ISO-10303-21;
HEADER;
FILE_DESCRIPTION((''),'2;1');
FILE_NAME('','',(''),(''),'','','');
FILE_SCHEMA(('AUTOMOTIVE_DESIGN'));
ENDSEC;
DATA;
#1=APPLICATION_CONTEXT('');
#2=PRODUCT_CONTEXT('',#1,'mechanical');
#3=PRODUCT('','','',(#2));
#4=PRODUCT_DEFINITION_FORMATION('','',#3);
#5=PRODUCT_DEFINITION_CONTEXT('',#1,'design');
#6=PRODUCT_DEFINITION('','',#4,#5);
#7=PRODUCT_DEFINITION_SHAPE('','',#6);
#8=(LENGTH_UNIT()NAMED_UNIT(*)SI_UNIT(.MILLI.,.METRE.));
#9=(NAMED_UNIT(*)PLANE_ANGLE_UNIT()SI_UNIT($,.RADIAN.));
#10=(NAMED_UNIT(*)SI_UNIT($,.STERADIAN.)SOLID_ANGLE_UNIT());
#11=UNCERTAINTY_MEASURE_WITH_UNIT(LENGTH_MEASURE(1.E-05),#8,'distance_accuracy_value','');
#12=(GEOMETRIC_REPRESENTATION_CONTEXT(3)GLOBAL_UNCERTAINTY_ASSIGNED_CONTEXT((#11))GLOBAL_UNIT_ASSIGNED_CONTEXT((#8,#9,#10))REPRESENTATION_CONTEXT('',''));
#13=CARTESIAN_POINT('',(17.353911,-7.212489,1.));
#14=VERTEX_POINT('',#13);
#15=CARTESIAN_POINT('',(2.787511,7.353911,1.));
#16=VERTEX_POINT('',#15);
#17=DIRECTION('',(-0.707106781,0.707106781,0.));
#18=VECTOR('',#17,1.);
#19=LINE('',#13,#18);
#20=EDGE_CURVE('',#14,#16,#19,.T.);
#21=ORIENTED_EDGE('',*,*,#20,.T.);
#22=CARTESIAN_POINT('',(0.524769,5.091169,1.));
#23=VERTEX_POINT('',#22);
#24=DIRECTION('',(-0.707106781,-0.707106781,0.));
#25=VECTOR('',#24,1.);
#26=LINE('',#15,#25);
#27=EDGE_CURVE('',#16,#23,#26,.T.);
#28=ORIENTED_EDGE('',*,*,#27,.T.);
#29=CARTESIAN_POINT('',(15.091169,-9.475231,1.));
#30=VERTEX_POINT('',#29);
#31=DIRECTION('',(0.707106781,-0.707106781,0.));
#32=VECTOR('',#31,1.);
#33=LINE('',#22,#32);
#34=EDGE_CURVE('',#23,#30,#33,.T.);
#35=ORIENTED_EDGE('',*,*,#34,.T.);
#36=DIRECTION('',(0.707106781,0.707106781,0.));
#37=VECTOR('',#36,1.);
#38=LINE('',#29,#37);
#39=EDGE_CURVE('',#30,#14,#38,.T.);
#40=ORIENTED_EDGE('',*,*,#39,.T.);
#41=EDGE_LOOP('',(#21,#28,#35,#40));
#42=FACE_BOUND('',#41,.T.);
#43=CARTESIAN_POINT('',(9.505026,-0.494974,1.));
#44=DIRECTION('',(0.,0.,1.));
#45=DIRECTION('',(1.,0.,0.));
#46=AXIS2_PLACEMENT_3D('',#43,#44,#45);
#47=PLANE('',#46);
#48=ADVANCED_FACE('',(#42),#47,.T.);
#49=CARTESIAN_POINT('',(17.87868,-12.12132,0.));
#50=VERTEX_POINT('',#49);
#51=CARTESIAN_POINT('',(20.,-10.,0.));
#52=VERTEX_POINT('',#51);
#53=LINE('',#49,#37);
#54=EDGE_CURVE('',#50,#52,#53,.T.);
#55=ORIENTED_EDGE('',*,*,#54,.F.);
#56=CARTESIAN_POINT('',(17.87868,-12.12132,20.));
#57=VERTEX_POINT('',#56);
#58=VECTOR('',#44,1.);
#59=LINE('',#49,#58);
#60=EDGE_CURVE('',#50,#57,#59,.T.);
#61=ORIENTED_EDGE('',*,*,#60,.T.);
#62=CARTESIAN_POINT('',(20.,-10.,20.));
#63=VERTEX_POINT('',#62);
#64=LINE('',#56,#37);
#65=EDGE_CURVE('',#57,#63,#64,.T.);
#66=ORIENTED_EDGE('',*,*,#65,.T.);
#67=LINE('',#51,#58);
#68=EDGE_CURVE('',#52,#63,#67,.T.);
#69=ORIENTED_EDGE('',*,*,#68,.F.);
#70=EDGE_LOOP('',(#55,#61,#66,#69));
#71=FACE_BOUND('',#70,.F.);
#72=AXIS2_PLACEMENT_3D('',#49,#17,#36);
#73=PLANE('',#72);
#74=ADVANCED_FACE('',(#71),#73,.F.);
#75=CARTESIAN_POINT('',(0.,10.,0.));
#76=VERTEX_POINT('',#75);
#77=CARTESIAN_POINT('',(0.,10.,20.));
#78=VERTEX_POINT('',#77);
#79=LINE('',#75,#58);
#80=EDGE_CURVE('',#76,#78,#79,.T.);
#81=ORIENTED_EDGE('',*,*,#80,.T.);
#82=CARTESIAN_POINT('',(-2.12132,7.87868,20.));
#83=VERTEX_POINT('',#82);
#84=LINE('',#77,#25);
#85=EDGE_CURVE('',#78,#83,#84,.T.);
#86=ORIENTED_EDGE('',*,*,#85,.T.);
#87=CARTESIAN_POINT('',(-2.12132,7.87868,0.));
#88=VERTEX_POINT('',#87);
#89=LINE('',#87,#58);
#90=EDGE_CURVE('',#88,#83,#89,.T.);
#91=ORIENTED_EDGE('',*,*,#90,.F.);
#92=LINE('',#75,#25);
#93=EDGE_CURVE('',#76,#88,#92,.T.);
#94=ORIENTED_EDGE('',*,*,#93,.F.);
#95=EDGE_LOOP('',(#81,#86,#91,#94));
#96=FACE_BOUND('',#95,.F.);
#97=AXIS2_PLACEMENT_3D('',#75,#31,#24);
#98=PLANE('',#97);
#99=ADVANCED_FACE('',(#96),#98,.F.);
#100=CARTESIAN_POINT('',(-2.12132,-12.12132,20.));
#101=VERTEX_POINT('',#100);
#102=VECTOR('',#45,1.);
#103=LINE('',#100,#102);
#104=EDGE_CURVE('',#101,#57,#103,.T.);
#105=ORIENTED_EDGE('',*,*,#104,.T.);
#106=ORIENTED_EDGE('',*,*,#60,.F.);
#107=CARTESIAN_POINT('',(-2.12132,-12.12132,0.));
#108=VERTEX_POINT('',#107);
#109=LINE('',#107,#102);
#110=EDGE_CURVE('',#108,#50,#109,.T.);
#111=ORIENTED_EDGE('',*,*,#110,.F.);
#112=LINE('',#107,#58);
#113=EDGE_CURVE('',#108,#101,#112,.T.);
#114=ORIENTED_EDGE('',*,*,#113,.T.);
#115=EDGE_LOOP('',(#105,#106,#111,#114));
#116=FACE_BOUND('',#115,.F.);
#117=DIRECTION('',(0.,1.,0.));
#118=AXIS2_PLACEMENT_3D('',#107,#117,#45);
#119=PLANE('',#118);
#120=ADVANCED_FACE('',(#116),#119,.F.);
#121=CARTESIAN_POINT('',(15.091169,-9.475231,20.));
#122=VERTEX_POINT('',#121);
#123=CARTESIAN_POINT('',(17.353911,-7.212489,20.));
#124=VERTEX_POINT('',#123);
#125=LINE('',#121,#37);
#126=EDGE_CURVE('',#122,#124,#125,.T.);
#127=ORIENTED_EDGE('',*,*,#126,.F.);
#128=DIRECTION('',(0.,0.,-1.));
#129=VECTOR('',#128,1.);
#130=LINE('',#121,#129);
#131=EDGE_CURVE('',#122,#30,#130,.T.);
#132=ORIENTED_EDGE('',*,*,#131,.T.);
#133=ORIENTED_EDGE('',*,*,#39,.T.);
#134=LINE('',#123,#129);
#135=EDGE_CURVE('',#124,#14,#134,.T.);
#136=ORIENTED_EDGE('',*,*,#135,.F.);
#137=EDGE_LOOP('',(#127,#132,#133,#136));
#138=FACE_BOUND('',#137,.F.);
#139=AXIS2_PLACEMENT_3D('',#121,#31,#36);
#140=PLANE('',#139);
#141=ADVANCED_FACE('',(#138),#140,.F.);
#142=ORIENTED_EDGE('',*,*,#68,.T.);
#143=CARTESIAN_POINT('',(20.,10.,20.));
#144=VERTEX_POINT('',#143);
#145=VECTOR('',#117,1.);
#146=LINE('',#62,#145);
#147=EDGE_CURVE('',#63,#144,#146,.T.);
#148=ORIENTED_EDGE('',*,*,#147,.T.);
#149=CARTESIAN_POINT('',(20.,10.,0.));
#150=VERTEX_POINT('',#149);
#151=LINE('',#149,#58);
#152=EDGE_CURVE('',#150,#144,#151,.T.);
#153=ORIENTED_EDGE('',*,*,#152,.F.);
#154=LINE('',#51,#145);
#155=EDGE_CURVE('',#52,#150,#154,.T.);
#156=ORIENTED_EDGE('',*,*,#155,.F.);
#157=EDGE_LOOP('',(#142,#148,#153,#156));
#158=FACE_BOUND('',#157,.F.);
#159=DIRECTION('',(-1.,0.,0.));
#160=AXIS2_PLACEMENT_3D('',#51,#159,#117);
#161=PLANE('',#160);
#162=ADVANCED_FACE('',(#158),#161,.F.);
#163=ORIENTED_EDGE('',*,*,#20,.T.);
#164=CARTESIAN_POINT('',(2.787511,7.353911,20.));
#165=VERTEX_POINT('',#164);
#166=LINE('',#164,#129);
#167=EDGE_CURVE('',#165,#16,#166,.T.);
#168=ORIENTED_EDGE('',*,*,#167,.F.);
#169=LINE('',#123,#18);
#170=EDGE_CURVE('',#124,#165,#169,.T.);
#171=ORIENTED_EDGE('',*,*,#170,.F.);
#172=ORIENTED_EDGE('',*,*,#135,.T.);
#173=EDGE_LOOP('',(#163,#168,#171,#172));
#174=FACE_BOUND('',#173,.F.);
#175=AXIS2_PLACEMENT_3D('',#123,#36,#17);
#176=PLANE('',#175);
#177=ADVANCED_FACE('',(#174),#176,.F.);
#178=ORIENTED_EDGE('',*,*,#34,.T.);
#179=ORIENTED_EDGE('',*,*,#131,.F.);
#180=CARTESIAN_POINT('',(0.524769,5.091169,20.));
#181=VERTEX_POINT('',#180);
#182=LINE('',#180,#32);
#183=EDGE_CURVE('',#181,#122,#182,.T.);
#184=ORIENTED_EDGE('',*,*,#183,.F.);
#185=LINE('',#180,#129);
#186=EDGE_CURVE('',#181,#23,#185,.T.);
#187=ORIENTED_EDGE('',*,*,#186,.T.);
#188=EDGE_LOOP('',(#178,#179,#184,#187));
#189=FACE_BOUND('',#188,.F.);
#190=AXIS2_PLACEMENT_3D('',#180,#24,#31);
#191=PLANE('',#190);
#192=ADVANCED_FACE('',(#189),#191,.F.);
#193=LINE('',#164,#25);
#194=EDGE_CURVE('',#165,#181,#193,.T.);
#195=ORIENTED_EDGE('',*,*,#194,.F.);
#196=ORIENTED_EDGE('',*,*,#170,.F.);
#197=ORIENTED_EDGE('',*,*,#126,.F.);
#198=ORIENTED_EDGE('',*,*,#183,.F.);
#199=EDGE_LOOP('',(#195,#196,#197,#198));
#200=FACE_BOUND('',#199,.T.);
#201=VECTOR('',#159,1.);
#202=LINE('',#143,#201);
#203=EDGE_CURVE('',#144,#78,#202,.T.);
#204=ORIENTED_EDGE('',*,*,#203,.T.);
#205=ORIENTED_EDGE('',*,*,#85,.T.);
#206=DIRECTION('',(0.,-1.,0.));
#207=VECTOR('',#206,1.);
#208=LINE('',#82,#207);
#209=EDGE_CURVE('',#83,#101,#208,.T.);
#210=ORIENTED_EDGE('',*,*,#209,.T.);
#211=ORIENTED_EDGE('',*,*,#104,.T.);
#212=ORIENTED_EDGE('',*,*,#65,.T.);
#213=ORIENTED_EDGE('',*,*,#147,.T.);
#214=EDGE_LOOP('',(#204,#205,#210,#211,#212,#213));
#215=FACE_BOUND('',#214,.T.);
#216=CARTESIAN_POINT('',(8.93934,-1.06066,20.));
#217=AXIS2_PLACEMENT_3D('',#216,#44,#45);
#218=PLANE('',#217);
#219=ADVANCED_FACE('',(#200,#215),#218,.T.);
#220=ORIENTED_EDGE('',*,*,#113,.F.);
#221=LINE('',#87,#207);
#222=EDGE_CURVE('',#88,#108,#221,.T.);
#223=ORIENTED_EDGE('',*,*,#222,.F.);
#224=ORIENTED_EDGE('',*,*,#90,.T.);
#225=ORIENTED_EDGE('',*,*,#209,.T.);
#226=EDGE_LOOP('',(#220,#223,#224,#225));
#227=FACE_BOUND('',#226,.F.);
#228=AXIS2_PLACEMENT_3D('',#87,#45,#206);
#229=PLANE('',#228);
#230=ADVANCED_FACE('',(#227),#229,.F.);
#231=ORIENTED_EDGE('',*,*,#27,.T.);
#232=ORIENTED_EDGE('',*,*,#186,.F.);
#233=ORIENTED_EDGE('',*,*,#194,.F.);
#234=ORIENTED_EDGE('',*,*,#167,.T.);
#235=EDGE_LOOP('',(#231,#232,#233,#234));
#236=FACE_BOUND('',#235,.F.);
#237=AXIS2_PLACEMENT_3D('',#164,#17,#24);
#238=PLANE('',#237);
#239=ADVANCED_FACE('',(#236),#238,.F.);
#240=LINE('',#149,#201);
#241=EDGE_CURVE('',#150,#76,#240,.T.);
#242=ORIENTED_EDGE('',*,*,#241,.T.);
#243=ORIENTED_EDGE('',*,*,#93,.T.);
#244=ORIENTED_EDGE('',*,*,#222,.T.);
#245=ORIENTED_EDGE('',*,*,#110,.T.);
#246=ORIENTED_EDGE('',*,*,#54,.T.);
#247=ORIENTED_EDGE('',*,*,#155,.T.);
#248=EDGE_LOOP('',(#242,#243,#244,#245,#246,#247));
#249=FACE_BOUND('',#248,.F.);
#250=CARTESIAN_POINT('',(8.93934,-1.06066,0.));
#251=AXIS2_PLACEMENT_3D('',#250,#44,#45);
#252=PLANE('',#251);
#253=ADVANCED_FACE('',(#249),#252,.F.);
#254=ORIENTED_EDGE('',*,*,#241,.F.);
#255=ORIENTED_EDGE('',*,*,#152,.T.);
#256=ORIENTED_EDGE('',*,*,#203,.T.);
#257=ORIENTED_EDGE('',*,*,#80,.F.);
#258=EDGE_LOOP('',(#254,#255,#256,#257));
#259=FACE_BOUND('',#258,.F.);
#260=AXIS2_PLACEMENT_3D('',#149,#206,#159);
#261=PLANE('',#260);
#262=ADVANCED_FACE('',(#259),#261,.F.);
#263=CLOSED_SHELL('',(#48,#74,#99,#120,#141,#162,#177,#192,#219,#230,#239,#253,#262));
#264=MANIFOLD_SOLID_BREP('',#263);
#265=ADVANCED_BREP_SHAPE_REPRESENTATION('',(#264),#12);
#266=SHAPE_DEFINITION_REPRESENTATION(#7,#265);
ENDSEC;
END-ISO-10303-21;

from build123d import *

# Parameters (mm, degrees)
F1_DEPTH = 20
F3_DEPTH = 19


with BuildPart() as f1:
    # F0 (on Top) → F1 (new body)
    with BuildSketch(Plane.XY):
        Polygon((20, 10), (0, 10), (-2.12132, 7.87868), (-2.12132, -12.12132), (17.87868, -12.12132), (20, -10), align=None)
    extrude(amount=F1_DEPTH)

    # F2 (on face) → F3 (cut)
    with BuildSketch(Plane.XY.offset(20)):
        Polygon((2.787511, 7.353911), (1.65614, 6.22254), (8.93934, -1.06066), (16.22254, -8.34386), (17.353911, -7.212489), align=None)
        Polygon((8.93934, -1.06066), (1.65614, 6.22254), (0.524769, 5.091169), (15.091169, -9.475231), (16.22254, -8.34386), align=None)
    extrude(amount=-F3_DEPTH, mode=Mode.SUBTRACT)


solid = f1.part
